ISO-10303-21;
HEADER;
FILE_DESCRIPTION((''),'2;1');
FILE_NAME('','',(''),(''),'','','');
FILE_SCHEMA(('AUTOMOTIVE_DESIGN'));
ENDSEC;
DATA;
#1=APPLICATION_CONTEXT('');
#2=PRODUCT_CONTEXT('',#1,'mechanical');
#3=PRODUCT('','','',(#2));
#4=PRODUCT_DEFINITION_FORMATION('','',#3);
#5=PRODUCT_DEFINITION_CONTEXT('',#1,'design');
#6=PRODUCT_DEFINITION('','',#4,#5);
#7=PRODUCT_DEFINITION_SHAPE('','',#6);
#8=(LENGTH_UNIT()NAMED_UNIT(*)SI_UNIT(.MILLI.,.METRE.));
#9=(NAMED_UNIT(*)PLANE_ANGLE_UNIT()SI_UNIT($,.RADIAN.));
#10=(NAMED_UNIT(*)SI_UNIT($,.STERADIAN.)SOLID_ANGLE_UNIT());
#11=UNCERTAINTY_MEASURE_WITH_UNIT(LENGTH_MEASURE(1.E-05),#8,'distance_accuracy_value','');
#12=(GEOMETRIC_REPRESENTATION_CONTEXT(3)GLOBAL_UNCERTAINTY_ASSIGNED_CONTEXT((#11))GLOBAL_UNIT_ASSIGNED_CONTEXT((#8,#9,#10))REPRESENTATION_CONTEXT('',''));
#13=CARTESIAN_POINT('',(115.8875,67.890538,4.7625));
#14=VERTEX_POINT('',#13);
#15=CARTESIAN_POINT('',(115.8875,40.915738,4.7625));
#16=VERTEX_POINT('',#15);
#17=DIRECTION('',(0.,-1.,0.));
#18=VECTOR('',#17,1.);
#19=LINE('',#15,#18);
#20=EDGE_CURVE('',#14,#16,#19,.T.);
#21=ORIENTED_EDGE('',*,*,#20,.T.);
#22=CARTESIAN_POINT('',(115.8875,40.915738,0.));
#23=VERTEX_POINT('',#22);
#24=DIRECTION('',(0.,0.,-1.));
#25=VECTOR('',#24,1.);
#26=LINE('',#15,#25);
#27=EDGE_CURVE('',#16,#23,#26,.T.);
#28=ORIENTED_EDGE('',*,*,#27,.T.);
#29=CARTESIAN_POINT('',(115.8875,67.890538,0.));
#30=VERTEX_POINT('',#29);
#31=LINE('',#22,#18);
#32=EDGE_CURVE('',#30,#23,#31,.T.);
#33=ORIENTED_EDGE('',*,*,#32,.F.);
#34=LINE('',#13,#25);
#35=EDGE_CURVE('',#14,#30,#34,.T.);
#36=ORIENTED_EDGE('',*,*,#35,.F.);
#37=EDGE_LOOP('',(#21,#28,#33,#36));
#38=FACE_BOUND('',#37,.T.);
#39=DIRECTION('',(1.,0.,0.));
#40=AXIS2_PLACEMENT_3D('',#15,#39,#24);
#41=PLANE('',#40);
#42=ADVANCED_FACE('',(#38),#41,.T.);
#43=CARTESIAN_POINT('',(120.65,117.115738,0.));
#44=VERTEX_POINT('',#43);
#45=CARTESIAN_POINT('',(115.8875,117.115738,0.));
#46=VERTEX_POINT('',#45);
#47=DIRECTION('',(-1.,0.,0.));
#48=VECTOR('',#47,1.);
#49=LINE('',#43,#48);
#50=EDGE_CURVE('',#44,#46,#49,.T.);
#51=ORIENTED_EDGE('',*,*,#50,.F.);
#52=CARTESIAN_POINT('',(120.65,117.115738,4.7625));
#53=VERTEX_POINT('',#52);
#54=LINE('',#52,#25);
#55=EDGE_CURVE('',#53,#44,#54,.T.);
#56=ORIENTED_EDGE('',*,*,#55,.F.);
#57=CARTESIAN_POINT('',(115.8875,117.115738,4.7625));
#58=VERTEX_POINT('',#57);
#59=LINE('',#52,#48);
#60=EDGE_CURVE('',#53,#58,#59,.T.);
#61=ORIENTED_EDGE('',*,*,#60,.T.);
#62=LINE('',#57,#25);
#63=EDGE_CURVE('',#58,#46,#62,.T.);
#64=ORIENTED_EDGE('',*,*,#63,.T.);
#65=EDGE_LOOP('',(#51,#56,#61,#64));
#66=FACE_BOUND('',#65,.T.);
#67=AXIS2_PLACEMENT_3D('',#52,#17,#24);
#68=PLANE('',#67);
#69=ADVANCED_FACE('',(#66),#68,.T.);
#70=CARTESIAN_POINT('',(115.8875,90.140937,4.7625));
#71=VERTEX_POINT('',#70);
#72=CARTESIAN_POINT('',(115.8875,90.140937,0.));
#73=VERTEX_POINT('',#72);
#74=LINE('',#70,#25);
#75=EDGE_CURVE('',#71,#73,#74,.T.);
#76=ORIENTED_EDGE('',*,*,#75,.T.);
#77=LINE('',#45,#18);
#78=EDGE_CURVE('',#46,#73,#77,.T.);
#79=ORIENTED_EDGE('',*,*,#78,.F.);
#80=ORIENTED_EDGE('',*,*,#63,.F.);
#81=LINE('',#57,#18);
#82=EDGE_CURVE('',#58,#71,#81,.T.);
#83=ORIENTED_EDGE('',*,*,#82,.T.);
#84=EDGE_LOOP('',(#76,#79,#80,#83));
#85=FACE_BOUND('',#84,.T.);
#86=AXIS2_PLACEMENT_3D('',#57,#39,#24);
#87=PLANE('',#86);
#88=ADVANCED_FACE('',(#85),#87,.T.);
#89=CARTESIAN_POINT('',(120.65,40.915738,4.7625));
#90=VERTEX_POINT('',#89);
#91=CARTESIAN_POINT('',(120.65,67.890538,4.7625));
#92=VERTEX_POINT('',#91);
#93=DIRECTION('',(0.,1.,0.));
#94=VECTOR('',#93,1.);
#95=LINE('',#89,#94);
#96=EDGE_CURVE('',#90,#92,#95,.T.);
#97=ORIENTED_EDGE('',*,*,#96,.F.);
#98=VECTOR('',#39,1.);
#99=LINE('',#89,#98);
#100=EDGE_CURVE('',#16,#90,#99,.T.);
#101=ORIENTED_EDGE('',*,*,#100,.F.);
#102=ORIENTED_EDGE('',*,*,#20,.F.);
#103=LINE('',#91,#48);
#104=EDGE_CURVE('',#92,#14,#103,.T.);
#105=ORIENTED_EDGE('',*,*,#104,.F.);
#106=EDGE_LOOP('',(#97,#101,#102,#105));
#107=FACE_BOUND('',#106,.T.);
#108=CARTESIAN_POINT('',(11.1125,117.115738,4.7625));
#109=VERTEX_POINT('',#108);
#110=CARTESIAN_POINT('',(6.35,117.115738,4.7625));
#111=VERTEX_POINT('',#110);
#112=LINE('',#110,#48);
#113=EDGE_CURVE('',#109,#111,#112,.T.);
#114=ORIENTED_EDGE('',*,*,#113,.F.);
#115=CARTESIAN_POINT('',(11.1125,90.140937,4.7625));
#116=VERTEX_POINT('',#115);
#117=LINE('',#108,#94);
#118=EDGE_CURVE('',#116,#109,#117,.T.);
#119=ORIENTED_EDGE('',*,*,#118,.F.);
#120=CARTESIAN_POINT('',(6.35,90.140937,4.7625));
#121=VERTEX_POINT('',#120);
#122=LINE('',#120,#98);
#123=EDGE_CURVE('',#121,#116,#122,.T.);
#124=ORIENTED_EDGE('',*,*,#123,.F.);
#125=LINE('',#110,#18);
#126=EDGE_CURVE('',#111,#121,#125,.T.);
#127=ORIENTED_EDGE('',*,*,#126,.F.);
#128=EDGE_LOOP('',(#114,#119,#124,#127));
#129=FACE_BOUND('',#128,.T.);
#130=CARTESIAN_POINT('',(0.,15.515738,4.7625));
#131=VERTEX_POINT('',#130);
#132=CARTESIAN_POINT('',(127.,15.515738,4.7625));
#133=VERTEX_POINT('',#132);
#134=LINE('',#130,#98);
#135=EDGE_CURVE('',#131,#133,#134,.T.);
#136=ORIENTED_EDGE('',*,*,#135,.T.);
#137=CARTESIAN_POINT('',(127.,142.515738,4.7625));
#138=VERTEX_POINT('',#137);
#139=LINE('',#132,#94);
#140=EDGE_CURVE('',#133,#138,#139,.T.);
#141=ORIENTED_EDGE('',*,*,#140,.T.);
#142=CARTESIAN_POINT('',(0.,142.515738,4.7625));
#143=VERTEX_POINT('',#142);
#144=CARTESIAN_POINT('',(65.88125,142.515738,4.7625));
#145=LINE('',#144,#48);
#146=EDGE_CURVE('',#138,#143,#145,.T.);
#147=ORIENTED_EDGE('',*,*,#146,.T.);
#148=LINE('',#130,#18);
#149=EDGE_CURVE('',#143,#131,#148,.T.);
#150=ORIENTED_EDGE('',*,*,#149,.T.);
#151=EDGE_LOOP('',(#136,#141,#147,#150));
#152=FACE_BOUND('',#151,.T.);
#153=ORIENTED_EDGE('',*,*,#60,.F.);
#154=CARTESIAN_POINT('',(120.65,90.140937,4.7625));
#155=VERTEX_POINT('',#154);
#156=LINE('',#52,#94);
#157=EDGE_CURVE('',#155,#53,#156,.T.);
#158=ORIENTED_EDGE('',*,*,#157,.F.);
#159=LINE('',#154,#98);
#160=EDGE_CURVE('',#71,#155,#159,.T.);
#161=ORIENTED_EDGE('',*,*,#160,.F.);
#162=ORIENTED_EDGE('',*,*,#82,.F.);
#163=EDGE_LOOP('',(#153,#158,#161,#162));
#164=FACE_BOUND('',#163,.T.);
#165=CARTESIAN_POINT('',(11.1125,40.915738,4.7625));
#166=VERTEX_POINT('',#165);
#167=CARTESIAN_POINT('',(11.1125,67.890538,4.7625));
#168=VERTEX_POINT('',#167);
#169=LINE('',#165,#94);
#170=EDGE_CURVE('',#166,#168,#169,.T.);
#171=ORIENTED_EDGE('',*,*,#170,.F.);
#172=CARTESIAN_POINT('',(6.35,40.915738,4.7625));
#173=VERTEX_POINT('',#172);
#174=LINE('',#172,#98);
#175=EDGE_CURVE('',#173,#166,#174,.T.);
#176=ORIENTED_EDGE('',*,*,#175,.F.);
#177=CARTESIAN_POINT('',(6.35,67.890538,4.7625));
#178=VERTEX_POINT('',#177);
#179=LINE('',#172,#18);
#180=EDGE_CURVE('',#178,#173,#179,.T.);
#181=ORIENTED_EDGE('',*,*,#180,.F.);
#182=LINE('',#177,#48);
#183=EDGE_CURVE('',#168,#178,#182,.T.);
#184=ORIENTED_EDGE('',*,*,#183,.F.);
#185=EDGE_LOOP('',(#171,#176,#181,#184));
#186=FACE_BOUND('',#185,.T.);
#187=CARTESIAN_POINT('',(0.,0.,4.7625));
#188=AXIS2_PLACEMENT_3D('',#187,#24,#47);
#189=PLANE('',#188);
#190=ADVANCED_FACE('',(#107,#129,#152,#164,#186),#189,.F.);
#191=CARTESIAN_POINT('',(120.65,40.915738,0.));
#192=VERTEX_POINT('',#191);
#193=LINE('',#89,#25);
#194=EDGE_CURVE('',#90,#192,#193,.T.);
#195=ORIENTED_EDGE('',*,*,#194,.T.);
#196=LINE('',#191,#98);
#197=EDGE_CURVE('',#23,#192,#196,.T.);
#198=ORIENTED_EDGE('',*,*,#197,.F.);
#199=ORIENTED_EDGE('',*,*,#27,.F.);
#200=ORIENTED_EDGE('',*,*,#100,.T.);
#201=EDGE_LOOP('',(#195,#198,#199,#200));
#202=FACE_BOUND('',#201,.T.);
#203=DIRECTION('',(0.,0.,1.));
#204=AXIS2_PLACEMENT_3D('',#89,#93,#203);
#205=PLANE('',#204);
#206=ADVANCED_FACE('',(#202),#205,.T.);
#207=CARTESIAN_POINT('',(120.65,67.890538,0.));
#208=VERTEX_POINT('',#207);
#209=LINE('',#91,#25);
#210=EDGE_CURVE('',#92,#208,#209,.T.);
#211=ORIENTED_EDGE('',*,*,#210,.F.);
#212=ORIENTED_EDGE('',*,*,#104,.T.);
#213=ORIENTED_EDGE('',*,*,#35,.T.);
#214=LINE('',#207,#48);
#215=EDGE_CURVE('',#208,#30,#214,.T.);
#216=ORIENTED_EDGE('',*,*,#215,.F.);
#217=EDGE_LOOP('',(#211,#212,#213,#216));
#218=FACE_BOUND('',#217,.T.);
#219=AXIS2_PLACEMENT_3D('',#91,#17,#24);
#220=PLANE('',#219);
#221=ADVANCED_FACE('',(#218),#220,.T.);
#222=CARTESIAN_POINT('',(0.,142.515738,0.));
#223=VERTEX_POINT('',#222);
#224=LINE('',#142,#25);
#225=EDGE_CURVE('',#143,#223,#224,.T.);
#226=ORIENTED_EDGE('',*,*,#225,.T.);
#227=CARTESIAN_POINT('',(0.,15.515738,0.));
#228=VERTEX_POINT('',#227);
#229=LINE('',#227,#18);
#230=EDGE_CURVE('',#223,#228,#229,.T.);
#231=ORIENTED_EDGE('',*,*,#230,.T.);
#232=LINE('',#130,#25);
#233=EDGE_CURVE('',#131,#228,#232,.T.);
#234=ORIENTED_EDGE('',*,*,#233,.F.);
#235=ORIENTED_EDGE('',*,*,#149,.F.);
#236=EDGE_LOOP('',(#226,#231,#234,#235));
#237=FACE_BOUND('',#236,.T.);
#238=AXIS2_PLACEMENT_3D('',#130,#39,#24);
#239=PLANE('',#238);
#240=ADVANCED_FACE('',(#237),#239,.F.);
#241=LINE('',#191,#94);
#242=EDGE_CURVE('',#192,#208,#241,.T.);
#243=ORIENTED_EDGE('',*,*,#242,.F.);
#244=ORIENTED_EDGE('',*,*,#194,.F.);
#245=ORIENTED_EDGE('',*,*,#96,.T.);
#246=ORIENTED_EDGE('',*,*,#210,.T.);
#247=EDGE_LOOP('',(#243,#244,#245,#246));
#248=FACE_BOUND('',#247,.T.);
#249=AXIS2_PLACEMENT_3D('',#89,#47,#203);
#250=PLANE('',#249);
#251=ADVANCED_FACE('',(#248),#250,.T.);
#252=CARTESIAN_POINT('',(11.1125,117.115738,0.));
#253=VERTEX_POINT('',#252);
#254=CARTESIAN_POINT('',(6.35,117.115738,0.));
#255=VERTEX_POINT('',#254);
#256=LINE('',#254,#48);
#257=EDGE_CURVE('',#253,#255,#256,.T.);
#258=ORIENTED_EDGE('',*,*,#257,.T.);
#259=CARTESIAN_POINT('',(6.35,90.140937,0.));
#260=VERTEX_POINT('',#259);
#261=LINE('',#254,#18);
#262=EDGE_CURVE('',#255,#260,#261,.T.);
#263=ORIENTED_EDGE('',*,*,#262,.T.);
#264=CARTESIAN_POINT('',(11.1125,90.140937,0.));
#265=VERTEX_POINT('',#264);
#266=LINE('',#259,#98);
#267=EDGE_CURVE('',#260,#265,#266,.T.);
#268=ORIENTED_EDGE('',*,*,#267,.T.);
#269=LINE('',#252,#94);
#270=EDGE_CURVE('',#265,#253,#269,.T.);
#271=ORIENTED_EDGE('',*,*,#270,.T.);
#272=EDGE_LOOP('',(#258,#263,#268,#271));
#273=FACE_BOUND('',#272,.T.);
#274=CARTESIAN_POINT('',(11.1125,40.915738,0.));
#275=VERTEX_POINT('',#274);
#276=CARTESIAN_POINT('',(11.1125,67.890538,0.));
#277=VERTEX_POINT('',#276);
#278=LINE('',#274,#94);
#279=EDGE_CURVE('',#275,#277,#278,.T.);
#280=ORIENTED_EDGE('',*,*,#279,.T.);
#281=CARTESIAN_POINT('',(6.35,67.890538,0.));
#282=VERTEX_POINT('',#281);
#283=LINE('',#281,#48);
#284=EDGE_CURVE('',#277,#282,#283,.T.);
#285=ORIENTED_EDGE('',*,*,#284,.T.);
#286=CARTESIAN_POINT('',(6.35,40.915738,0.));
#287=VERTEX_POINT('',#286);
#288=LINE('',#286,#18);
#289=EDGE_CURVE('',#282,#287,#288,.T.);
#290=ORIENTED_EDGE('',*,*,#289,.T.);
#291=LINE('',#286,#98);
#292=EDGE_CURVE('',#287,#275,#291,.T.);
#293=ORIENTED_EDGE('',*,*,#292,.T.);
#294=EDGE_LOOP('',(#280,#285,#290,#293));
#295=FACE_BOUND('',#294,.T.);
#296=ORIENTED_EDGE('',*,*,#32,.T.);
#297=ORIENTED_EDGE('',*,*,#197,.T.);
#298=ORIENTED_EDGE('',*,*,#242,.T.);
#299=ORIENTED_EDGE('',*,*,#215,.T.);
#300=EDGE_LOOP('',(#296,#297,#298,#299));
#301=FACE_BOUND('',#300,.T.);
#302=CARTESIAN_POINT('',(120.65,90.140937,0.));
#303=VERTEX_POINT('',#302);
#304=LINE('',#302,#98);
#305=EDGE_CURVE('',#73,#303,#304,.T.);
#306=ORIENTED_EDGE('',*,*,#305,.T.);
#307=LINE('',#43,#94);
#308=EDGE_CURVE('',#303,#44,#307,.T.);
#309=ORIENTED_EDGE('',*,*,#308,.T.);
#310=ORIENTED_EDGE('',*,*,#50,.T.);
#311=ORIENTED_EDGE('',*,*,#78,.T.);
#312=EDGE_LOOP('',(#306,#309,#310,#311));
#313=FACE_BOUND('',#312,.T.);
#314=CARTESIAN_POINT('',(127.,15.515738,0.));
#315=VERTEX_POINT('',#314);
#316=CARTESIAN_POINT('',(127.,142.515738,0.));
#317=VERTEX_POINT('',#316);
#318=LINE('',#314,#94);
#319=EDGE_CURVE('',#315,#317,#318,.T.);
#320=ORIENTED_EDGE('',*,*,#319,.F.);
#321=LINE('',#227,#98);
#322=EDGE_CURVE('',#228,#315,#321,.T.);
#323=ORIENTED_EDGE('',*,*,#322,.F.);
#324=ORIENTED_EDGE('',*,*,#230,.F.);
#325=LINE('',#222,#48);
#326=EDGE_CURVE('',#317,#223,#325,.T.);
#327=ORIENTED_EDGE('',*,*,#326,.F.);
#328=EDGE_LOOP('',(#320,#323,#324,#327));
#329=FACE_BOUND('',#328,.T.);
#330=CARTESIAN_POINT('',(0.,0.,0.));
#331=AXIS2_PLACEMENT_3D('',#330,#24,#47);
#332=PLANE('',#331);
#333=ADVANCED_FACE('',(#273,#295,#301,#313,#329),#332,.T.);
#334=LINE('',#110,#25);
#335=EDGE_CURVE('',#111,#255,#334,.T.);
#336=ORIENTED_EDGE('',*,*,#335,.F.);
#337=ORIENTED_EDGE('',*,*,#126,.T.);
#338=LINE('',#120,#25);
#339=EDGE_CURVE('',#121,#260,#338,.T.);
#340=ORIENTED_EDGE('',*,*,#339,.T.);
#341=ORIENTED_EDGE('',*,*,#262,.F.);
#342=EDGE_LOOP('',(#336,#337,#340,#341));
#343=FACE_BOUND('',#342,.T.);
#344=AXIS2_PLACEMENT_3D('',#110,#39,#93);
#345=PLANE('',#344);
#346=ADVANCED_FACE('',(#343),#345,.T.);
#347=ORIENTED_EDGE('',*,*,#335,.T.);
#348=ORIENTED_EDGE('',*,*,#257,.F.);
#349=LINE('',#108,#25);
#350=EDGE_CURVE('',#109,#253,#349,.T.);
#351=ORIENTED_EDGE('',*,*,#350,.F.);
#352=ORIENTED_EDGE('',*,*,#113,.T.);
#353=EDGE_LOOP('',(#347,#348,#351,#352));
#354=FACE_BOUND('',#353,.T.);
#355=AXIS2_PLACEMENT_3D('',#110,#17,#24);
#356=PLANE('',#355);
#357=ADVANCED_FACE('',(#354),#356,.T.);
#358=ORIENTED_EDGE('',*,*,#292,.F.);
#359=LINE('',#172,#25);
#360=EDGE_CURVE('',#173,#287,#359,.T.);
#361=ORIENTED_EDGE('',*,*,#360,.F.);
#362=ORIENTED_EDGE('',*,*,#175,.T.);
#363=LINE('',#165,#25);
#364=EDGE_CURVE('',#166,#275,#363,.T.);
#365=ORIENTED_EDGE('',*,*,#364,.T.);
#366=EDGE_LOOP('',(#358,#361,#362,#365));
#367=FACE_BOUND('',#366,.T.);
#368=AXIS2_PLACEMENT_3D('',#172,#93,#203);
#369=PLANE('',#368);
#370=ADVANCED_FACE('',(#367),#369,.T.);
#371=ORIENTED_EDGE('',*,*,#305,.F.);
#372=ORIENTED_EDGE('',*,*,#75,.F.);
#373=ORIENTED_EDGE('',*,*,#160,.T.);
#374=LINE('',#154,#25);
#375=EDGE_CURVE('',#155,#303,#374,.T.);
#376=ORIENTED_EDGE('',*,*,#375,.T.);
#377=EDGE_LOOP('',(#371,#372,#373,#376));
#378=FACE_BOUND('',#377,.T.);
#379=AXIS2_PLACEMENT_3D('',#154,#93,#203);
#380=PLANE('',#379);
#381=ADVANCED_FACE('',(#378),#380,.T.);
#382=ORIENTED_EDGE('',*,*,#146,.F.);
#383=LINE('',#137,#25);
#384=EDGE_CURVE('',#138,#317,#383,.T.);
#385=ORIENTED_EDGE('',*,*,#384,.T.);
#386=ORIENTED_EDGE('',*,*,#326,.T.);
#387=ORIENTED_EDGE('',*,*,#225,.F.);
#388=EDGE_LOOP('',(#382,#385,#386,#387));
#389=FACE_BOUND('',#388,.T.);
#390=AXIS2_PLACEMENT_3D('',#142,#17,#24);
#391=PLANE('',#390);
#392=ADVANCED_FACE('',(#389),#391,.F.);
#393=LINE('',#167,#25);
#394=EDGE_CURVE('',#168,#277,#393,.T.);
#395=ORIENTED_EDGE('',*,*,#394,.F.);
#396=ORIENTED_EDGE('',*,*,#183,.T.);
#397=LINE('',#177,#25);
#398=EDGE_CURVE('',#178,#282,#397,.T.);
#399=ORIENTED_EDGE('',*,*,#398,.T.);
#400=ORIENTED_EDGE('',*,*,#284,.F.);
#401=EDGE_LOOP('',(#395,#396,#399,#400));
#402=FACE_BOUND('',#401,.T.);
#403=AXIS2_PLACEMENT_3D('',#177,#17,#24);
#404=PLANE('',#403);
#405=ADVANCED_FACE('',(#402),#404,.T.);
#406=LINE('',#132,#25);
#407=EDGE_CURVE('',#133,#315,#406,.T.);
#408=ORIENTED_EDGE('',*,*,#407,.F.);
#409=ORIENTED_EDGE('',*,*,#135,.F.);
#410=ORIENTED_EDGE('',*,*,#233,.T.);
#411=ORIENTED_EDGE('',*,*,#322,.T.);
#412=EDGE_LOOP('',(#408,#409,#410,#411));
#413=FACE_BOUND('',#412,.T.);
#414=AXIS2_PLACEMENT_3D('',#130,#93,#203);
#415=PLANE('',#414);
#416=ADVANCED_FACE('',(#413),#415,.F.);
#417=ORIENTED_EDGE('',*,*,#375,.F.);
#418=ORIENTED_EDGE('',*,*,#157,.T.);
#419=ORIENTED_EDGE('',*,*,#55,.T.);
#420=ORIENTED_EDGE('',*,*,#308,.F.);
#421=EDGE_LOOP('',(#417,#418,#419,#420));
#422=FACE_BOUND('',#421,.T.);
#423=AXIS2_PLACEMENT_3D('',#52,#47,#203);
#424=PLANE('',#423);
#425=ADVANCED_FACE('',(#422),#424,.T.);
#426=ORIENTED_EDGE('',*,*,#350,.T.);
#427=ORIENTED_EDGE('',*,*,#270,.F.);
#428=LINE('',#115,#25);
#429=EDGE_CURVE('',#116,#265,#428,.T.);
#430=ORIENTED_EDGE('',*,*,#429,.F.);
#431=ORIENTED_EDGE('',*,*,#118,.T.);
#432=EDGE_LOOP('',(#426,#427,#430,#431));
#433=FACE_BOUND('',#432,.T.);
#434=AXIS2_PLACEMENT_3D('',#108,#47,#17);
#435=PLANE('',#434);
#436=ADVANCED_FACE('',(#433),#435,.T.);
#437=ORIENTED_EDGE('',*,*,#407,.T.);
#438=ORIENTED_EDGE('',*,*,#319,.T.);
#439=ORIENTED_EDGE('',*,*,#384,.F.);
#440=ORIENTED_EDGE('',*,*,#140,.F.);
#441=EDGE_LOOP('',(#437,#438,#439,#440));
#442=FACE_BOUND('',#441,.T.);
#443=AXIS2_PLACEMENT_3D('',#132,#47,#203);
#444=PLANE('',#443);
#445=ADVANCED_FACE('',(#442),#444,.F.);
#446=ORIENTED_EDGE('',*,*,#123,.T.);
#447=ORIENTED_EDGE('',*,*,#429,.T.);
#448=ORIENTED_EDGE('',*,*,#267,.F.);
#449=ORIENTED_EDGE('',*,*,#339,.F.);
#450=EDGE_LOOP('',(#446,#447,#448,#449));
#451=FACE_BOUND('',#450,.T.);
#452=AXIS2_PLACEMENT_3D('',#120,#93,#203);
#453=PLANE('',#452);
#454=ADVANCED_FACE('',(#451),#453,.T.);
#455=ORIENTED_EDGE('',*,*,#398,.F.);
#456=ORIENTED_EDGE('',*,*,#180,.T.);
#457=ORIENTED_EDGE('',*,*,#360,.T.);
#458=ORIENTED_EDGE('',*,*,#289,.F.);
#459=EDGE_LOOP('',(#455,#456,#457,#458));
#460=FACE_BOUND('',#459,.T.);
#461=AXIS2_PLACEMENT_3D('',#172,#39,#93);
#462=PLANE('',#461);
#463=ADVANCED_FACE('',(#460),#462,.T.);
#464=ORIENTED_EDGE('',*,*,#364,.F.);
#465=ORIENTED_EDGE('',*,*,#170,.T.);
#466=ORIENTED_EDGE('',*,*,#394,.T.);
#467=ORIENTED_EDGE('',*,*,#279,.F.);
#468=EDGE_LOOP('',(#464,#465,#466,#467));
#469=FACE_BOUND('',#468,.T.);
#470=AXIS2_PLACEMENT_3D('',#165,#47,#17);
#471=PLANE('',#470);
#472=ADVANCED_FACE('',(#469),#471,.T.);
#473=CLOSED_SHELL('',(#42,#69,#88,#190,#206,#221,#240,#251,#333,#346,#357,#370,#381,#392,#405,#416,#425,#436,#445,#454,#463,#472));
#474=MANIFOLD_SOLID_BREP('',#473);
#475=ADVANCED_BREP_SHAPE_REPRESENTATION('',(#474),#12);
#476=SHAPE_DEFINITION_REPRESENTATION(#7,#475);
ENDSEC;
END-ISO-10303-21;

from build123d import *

# Parameters (mm, degrees)
SKETCH1_W           = 4.7625
SKETCH1_H           = 26.974800888
SKETCH1_H_2         = 26.974800889
BOSS_EXTRUDE1_DEPTH = 4.7625


with BuildPart() as part:
    # Sketch1 → Boss-Extrude1 (new body)
    with BuildSketch(Plane.XY):
        Polygon((65.88125, 142.515737536), (127, 142.515737536), (127, 15.515737536), (0, 15.515737536), (0, 142.515737536), (61.11875, 142.515737536), align=None)
        with Locations((8.73125, 103.628337092)):
            Rectangle(SKETCH1_W, SKETCH1_H, mode=Mode.SUBTRACT)
        with Locations((118.26875, 103.628337092)):
            Rectangle(SKETCH1_W, SKETCH1_H, mode=Mode.SUBTRACT)
        with Locations((118.26875, 54.403137981)):
            Rectangle(SKETCH1_W, SKETCH1_H_2, mode=Mode.SUBTRACT)
        with Locations((8.73125, 54.403137981)):
            Rectangle(SKETCH1_W, SKETCH1_H_2, mode=Mode.SUBTRACT)
    extrude(amount=BOSS_EXTRUDE1_DEPTH)


solid = part.part
